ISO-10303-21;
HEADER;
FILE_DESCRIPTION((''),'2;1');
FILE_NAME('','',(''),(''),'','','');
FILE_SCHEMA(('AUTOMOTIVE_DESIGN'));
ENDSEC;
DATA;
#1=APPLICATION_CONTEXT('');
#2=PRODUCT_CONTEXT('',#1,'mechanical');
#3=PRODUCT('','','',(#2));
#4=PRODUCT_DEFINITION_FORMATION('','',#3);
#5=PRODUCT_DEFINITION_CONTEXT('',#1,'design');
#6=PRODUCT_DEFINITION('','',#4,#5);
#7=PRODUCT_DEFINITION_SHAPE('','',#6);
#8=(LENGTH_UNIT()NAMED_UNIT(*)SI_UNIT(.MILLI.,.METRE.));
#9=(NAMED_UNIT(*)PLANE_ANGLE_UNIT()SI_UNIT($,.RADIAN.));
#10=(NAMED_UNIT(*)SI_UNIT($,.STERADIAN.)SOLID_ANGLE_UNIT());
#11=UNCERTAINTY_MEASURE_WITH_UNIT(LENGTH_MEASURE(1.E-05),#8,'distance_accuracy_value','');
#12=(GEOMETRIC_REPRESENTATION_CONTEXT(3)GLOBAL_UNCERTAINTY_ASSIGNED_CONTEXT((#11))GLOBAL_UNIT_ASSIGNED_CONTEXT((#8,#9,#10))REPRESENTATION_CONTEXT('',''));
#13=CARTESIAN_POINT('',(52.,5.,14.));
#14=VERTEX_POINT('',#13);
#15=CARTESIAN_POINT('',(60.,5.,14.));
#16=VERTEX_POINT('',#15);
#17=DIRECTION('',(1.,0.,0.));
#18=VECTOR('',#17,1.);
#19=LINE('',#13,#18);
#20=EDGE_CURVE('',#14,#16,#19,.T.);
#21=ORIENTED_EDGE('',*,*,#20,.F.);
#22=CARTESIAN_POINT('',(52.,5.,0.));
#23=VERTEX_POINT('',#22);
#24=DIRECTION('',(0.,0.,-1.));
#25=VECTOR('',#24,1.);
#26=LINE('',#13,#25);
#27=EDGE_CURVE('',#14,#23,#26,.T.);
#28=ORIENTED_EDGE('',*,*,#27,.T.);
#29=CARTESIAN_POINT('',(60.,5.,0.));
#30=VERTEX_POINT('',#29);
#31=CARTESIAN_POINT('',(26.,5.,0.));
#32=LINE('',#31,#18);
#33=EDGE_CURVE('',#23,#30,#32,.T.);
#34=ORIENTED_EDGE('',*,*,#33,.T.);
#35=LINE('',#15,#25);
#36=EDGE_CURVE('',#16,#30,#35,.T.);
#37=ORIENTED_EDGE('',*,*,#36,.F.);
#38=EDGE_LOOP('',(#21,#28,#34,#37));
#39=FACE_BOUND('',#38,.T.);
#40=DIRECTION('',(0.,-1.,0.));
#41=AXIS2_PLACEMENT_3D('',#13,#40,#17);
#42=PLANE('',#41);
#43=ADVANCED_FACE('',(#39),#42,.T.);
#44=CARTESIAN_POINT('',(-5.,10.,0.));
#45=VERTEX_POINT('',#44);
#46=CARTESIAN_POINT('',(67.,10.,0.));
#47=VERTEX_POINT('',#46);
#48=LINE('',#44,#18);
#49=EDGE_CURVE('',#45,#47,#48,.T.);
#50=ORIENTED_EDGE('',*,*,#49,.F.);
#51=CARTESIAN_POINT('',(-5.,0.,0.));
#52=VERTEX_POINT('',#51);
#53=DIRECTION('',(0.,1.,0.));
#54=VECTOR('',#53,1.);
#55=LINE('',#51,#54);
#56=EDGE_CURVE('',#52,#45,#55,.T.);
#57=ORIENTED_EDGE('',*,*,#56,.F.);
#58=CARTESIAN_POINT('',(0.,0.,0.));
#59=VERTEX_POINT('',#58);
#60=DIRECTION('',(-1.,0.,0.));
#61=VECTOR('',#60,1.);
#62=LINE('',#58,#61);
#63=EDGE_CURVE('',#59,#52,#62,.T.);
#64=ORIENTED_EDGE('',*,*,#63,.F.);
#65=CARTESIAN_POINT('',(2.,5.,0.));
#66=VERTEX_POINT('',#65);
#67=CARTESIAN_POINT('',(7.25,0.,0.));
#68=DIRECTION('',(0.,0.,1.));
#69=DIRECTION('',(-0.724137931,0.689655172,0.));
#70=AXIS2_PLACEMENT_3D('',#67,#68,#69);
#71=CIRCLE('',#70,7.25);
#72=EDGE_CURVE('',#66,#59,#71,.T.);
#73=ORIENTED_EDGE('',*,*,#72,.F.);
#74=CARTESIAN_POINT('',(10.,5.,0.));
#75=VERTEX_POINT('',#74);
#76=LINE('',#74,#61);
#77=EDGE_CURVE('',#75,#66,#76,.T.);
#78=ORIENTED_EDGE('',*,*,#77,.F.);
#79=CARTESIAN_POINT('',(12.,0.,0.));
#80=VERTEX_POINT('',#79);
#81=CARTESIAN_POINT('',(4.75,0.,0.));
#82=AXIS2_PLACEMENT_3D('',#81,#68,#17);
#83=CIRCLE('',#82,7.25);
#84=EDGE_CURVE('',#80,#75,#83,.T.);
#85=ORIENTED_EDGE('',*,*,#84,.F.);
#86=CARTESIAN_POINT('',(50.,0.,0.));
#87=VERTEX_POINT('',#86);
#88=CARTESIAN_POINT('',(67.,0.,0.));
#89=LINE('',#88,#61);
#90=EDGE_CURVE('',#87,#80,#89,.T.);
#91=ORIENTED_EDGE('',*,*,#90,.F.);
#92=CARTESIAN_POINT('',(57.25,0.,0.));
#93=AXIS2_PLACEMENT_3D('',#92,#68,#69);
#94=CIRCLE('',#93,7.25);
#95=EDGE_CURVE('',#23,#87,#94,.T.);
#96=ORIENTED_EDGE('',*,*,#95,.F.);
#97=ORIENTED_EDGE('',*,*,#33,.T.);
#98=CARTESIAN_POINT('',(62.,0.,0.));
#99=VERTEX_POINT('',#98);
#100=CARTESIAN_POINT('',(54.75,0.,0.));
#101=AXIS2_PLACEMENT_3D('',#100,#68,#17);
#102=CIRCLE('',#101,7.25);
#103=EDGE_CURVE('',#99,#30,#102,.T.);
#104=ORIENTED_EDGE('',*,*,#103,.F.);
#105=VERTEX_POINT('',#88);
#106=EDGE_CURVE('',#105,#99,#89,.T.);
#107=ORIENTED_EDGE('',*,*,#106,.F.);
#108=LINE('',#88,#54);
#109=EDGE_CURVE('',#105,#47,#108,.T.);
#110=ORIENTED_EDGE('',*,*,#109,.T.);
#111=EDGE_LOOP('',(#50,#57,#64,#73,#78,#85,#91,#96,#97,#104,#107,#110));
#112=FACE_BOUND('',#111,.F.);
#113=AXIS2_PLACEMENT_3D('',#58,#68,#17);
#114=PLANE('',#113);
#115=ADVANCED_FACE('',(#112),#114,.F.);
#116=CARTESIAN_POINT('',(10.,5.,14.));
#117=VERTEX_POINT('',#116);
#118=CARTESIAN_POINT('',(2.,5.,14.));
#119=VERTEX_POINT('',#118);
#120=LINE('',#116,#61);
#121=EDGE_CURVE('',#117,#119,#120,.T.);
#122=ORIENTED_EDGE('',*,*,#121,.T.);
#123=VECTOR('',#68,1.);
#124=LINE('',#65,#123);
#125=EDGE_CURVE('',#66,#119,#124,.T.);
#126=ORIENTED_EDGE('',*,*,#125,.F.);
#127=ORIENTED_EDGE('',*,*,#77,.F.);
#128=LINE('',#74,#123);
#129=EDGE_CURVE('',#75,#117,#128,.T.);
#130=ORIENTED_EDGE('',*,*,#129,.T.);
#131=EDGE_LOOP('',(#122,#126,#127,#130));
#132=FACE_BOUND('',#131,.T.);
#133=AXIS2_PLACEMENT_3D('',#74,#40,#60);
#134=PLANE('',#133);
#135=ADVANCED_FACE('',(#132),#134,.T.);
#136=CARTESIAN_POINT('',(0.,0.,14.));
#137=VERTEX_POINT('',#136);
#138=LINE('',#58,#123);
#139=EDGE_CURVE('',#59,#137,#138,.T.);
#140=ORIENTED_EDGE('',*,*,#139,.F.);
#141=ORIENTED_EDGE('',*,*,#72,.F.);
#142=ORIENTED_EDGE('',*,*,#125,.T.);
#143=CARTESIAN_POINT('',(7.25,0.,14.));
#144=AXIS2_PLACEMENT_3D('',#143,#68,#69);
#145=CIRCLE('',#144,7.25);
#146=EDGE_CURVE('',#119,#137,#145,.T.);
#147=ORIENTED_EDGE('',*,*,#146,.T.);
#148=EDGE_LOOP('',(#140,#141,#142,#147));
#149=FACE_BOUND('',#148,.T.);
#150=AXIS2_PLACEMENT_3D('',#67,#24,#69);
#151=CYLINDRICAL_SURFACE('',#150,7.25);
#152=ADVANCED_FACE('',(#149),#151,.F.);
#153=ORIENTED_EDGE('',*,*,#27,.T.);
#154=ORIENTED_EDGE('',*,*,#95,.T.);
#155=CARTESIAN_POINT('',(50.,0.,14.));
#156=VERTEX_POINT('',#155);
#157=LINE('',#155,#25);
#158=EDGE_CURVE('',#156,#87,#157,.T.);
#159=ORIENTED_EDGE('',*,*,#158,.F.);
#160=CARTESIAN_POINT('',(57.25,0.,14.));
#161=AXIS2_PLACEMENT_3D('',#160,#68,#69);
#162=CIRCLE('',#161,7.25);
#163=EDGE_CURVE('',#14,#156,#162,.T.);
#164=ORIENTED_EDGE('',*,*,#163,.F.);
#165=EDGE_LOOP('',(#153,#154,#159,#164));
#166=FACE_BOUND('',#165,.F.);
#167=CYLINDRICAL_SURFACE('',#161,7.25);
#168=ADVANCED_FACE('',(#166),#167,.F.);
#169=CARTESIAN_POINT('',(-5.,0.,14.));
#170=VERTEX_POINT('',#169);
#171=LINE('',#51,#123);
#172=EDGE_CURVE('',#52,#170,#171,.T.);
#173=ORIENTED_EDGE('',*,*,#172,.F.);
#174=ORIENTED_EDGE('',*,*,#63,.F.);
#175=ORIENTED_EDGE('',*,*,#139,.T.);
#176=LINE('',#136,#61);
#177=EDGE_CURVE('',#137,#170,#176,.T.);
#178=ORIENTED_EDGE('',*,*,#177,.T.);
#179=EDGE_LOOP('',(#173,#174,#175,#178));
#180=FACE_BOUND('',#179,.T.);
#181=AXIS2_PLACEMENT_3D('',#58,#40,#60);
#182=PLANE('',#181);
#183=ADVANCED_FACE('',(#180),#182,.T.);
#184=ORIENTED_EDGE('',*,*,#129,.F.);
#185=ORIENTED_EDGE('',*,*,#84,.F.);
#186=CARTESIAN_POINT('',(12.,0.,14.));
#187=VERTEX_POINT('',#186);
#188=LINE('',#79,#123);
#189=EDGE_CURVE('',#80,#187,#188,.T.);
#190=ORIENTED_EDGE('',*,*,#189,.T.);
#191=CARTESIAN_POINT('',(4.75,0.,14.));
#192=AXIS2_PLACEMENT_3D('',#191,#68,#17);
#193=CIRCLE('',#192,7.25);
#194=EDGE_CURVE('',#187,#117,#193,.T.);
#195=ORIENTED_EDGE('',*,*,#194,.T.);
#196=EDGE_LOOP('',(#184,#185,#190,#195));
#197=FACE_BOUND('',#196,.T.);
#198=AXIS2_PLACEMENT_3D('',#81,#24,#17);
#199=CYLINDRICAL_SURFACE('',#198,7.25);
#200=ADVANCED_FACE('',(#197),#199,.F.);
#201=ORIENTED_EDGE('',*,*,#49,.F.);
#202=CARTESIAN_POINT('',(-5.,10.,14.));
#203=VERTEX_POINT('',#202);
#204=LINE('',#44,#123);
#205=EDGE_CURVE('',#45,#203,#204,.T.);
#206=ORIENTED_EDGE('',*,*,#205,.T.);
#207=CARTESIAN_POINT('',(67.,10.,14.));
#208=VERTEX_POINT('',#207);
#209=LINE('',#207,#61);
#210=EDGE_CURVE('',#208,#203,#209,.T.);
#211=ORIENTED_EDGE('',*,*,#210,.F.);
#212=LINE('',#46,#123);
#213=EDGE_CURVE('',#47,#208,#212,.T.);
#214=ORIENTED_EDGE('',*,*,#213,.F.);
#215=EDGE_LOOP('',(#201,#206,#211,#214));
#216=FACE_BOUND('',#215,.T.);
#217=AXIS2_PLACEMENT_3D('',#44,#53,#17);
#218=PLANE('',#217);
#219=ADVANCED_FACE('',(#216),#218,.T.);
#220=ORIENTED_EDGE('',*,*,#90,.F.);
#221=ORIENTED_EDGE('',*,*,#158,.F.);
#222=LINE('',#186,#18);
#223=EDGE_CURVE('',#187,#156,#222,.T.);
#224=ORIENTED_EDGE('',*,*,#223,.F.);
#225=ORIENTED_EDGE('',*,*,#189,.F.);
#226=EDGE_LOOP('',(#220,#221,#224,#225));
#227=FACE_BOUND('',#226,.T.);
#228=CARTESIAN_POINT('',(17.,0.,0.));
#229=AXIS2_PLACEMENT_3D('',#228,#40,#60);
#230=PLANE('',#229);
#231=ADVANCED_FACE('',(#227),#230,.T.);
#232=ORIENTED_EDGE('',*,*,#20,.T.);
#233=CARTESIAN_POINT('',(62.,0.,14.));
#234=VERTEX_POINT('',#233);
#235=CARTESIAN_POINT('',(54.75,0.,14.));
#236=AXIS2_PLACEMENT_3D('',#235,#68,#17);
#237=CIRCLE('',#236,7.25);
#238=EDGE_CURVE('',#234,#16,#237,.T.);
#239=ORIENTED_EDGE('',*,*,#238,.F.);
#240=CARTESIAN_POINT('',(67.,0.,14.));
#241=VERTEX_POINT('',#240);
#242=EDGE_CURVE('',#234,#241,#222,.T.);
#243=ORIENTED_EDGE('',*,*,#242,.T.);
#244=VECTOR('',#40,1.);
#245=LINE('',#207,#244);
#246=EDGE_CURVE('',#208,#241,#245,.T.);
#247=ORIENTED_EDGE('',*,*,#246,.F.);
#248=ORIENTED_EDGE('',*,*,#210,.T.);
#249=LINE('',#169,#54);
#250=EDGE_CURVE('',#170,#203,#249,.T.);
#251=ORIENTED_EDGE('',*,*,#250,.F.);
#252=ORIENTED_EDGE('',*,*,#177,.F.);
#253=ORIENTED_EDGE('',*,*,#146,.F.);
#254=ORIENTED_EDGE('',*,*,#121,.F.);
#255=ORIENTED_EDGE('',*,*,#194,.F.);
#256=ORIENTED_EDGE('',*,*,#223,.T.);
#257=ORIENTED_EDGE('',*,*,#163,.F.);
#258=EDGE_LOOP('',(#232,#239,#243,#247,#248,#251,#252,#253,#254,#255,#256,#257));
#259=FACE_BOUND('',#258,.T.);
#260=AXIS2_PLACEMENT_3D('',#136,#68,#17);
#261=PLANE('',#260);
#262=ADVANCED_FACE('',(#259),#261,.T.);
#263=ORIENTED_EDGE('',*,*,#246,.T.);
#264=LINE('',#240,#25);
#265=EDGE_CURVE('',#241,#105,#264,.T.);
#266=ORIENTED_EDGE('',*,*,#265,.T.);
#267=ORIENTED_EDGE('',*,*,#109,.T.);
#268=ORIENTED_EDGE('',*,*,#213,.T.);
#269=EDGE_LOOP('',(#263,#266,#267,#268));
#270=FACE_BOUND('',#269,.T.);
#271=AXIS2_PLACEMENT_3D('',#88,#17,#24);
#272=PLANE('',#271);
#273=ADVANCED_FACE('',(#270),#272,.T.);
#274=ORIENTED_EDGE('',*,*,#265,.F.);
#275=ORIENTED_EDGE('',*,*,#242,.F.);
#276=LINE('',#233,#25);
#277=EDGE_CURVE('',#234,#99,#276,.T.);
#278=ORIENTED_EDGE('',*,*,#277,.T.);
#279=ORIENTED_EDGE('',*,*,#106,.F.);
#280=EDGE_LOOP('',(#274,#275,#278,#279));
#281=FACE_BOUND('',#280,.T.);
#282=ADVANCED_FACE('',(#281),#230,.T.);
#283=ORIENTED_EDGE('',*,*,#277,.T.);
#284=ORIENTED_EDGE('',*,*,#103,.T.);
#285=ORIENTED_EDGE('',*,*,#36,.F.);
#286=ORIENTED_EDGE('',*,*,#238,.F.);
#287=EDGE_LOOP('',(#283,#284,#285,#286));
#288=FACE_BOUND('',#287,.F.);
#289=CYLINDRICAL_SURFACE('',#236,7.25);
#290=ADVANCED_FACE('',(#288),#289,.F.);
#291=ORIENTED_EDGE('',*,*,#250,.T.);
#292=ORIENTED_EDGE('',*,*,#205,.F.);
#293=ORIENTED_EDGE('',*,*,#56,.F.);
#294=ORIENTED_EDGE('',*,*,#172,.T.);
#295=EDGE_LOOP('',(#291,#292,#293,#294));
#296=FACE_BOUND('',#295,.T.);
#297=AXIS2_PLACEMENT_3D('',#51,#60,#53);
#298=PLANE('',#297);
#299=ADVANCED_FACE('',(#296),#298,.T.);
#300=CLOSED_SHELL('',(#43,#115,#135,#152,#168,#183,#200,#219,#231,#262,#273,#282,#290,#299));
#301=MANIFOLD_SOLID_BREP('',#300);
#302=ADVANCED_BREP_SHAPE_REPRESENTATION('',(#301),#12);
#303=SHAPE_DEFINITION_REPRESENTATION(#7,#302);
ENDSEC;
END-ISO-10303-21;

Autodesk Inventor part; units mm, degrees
ref_plane "YZ Plane" through (0, 0, 0) normal (1, 0, 0) x (0, 1, 0)
ref_plane "XZ Plane" through (0, 0, 0) normal (0, 1, 0) x (-1, 0, 0)
ref_plane "XY Plane" through (0, 0, 0) normal (0, 0, 1) x (1, 0, 0)
sketch "Sketch1" plane through (0, 0, 0) normal (0, 0, 1) x (1, 0, 0)
  line L0 (10, 5) -> (2, 5)
  arc A0 (2, 5) -> (0, 0) centre (7.25, 0) ccw
  arc A1 (12, 0) -> (10, 5) centre (4.75, 0) ccw
  line L1 (0, 0) -> (-5, 0)
  line L2 (-5, 0) -> (-5, 10)
  line L3 (-5, 10) -> (17, 10)
  line L4 (17, 10) -> (17, 0)
  line L5 (17, 0) -> (12, 0)
  dimension "d5" = 5
  dimension "d6" = 10
  dimension "d7" = 22
  dimension "d8" = 2
  dimension "d9" = 2
  dimension "d10" = 8
  dimension "d11" = 5
  dimension "d12" = 7.25
  dimension "d13" = 7.25
extrude "Extrusion1" add sketch "Sketch1" along normal blind 14
sketch "Sketch2" plane through (17, 0, 0) normal (1, 0, 0) x (0, 0, -1)
  line L0 (-14, 10) -> (-14, 0) projected
  line L1 (-14, 0) -> (0, 0)
  line L2 (0, 0) -> (0, 10)
  line L3 (0, 10) -> (-14, 10)
  line L4 (-14, 10) -> (-14, 0)
  dimension "d16" = 10
  dimension "d17" = 14
extrude "Extrusion2" add sketch "Sketch2" along normal blind 50
sketch "Sketch5" plane through (0, 0, 14) normal (0, 0, 1) x (1, 0, 0)
  line L0 (62, 0) -> (67, 0)
  line L1 (12, 0) -> (67, 0) projected
  arc A0 (12, 0) -> (10, 5) centre (4.75, 0) ccw projected
  arc A1 (2, 5) -> (0, 0) centre (7.25, 0) ccw projected
  line L2 (2, 5) -> (10, 5) projected
  arc A2 (62, 0) -> (60, 5) centre (54.75, 0) ccw
  arc A3 (52, 5) -> (50, 0) centre (57.25, 0) ccw
  line L3 (52, 5) -> (60, 5)
  line L4 (50, 0) -> (62, 0)
  dimension "d31" = 0
  dimension "d32" = 0
  dimension "d33" = 5
  dimension "d34" = 50
  dimension "d35" = 0
  dimension "d36" = 0
  dimension "d38" = 7.25
  dimension "d39" = 7.25
  dimension "d40" = 8
  dimension "d41" = 38
  dimension "d42" = 5
  dimension "d43" = 5
  dimension "d44" = 2
  dimension "d45" = 2
extrude "Extrusion3" cut sketch "Sketch5" against normal through all
properties part number "motorHolderTest1"
